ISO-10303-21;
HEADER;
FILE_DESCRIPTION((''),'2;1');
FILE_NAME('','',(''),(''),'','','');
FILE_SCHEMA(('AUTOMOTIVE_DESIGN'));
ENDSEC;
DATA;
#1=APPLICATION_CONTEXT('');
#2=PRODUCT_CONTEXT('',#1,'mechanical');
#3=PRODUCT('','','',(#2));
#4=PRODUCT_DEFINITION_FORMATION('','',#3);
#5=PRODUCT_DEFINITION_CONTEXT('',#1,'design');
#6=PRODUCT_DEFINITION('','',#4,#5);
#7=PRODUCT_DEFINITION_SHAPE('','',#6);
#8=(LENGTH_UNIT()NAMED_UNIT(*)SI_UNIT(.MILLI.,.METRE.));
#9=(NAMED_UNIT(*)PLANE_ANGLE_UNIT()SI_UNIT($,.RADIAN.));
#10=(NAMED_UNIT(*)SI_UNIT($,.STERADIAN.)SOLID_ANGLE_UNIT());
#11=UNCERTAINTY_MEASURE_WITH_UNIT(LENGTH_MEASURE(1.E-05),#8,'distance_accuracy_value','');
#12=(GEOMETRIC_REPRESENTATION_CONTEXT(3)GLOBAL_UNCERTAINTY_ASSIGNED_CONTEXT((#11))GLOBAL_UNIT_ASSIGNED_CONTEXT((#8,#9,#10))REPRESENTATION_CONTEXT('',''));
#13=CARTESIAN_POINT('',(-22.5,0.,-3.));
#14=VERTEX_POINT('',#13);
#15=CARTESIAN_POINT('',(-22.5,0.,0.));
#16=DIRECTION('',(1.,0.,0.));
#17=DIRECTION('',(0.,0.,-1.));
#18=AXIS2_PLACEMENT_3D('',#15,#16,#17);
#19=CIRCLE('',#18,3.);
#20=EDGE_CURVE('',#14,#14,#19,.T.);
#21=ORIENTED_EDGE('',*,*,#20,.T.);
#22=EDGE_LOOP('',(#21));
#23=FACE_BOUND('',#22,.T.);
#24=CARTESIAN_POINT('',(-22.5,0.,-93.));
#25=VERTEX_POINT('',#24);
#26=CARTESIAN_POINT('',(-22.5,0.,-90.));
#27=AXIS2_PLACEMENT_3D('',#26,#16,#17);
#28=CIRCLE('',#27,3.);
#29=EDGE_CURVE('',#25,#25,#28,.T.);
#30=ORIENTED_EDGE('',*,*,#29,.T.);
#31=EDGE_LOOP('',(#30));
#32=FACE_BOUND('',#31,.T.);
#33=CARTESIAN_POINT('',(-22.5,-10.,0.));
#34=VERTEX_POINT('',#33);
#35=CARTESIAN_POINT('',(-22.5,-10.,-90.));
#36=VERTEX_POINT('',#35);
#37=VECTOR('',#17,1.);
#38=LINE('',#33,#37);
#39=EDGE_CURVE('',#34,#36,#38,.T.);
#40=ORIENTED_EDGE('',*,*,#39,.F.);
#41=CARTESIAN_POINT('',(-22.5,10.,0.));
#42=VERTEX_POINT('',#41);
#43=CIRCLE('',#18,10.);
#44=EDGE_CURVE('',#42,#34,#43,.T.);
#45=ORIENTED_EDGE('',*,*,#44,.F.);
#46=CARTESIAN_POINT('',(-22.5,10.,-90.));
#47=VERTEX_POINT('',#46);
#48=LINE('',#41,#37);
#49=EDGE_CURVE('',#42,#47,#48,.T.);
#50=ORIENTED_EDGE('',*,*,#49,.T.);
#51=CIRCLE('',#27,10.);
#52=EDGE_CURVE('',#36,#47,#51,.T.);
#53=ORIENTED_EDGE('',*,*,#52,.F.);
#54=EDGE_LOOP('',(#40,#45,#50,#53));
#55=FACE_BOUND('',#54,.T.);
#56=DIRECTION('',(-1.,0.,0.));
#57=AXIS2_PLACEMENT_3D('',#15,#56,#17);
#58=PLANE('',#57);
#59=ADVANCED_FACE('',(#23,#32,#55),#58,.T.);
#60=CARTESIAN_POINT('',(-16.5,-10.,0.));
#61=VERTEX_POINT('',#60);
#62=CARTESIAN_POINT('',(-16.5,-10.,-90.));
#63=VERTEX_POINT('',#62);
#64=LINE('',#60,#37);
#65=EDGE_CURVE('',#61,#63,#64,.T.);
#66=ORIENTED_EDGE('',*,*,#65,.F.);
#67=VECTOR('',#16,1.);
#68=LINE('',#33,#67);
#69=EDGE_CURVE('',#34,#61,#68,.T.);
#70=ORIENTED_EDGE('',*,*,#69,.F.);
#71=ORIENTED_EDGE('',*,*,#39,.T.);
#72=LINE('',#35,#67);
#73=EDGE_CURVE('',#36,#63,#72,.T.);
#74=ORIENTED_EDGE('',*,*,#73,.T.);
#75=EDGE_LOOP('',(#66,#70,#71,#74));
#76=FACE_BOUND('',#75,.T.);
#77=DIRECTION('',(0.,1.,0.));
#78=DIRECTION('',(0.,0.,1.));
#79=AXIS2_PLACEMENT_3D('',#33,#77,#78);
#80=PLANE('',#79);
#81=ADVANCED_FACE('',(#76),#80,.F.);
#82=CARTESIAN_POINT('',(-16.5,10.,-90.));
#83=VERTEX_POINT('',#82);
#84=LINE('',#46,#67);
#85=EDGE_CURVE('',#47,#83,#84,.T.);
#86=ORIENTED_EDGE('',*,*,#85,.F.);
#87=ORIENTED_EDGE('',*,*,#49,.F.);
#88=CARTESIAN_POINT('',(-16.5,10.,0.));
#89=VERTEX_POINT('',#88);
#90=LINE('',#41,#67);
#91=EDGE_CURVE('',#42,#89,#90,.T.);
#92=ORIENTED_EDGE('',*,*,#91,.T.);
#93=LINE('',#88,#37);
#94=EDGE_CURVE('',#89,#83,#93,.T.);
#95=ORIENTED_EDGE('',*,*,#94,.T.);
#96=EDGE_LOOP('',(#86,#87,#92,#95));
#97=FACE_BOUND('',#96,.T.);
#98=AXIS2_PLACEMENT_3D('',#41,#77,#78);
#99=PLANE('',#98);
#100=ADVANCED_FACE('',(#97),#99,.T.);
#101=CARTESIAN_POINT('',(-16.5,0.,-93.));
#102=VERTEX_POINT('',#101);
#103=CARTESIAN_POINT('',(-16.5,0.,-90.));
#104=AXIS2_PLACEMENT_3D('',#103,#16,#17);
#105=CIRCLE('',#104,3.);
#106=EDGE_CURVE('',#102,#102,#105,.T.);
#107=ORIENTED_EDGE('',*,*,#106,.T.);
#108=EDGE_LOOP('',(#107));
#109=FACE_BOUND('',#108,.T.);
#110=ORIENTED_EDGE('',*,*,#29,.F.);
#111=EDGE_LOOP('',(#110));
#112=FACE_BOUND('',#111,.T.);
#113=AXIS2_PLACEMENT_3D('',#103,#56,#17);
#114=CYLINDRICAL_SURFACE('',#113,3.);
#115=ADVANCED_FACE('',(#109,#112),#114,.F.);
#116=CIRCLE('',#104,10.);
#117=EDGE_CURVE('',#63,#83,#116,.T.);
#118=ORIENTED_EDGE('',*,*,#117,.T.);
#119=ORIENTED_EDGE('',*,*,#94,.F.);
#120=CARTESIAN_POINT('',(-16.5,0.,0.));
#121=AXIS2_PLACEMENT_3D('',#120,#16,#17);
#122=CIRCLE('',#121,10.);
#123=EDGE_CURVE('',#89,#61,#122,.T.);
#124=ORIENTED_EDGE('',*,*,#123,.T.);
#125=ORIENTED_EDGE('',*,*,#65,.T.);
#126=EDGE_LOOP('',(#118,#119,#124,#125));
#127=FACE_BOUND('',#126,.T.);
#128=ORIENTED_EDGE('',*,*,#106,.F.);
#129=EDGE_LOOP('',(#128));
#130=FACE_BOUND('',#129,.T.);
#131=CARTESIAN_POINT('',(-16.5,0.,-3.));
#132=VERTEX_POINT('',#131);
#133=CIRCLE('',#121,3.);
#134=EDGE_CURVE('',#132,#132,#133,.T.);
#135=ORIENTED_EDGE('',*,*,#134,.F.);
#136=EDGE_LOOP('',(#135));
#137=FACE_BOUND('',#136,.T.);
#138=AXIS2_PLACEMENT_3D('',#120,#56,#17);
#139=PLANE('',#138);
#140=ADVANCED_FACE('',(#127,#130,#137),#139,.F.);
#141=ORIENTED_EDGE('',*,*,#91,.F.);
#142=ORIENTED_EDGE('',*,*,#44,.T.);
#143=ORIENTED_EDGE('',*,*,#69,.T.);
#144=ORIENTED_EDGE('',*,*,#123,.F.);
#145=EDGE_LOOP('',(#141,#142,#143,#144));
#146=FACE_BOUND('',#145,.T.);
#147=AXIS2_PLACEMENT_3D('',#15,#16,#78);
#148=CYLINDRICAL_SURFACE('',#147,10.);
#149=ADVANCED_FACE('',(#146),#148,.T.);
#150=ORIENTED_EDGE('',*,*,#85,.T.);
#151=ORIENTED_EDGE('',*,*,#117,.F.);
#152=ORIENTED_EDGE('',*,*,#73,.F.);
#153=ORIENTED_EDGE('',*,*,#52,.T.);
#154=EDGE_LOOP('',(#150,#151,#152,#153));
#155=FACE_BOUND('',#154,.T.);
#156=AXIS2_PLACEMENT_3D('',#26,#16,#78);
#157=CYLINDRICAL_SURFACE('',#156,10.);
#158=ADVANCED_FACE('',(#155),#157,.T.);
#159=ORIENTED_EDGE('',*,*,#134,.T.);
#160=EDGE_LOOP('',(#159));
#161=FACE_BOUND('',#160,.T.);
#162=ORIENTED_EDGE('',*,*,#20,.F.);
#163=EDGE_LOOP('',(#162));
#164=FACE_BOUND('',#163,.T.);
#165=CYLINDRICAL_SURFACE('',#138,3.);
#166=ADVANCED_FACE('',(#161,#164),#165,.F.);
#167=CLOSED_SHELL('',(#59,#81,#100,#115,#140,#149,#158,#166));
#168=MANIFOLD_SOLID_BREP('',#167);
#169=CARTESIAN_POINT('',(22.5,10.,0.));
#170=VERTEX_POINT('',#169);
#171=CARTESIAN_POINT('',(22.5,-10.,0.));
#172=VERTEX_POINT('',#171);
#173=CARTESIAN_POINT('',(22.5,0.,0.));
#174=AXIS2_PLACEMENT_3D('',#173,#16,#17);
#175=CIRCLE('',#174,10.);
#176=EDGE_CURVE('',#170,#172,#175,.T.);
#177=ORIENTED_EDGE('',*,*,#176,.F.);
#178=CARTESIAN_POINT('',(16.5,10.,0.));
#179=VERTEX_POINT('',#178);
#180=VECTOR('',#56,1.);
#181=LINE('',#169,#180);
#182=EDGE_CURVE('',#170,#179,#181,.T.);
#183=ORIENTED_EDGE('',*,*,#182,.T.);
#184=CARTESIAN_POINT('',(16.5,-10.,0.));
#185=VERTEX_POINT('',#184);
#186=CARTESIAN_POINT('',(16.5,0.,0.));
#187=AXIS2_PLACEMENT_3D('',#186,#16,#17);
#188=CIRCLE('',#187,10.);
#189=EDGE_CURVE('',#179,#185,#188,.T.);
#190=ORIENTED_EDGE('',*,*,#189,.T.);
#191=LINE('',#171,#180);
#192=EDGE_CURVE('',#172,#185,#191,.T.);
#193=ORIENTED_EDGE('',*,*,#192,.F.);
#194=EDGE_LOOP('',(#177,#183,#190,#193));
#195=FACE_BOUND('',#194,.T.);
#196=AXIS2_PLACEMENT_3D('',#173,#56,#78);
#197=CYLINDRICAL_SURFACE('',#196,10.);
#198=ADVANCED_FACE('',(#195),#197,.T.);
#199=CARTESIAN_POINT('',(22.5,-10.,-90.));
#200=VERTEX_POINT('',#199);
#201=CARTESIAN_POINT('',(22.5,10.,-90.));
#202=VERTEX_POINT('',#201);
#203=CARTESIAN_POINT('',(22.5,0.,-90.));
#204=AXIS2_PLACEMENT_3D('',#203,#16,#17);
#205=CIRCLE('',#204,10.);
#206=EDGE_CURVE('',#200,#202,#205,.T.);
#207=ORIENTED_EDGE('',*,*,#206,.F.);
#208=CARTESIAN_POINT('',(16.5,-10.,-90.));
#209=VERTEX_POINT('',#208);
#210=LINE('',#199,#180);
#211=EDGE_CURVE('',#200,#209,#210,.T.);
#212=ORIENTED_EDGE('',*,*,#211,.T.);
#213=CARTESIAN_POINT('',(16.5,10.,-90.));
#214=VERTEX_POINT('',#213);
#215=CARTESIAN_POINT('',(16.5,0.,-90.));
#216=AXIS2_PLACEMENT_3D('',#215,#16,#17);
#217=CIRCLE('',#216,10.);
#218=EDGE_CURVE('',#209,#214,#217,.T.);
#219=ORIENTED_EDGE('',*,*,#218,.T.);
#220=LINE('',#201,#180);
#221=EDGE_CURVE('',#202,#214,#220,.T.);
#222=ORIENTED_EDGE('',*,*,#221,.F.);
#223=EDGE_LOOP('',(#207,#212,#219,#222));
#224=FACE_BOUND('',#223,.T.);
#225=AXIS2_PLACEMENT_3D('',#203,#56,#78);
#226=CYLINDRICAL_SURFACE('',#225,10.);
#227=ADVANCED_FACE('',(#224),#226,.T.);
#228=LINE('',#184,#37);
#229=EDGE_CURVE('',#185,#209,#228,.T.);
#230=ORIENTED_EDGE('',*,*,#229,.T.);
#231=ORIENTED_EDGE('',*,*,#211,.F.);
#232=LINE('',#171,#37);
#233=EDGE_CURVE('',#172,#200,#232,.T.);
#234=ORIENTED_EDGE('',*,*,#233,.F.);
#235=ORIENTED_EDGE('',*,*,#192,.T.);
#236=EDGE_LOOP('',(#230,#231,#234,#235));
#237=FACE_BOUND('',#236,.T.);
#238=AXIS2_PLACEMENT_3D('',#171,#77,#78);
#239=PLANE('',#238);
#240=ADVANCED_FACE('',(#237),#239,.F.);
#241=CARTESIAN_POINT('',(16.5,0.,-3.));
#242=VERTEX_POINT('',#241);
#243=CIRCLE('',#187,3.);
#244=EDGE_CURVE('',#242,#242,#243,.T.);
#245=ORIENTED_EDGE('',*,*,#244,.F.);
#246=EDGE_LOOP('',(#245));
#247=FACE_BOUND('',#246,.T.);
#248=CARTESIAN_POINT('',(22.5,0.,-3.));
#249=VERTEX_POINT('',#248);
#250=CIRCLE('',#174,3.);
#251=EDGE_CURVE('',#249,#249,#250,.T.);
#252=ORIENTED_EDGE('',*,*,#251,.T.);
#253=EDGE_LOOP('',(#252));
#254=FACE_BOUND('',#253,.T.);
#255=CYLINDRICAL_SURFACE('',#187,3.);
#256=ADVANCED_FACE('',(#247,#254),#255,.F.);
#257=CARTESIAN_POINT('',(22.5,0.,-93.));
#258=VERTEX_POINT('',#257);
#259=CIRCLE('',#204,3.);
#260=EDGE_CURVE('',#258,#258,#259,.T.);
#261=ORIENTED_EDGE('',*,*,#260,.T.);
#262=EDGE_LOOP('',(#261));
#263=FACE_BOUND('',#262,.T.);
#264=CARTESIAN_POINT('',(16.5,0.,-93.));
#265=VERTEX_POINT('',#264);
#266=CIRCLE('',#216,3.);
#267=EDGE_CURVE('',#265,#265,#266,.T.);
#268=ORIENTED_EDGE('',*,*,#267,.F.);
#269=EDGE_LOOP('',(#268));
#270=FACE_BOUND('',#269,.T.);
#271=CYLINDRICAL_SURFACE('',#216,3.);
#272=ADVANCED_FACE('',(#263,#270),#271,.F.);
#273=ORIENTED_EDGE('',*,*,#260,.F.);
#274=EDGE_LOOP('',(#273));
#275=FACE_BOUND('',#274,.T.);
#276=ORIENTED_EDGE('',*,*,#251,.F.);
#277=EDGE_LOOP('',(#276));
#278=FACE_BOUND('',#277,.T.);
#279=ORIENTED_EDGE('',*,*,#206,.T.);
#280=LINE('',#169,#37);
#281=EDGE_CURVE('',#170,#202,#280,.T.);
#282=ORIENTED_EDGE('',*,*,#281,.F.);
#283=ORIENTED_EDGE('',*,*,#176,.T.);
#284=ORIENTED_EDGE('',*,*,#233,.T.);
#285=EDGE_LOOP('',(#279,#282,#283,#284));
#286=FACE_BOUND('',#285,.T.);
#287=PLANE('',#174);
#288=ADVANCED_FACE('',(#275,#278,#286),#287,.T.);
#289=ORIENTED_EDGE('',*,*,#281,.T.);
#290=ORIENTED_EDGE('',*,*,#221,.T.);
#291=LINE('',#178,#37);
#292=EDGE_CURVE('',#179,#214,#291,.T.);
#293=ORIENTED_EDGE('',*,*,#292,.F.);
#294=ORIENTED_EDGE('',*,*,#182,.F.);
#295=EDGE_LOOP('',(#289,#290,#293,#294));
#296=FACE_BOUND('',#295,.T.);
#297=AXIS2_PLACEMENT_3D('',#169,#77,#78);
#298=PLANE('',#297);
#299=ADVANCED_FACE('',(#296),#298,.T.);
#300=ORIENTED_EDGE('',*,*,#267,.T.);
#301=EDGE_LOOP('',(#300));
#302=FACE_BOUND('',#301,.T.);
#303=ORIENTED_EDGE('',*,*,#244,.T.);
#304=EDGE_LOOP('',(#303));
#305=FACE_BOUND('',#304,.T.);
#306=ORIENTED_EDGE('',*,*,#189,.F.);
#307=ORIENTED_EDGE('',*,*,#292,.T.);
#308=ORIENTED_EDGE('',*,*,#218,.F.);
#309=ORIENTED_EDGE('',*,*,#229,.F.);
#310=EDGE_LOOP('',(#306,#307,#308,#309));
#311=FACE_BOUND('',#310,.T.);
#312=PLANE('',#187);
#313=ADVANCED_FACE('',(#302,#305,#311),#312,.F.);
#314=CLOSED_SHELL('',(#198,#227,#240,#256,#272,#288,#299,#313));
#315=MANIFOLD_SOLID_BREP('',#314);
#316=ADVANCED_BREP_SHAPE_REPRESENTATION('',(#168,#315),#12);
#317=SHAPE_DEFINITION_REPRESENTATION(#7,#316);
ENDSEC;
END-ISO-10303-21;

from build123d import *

# Parameters (mm, degrees)
BOSS_EXTRUDE1_DEPTH     = 6
SKETCH2_R               = 3
CUT_EXTRUDE1_DEPTH      = 1
CUT_EXTRUDE1_DEPTH_BACK = 7


with BuildPart() as part:
    # Sketch1 → Boss-Extrude1 (new body)
    with BuildSketch(Plane(origin=(16.5, 0, 0), x_dir=(0, 0, -1), z_dir=(1, 0, 0))):
        with BuildLine():
            Line((0, 10), (90, 10))
            ThreePointArc((90, 10), (100, 0), (90, -10))
            Line((90, -10), (0, -10))
            ThreePointArc((0, -10), (-10, 0), (0, 10))
        make_face()
    extrude(amount=BOSS_EXTRUDE1_DEPTH)

    # Sketch2 → Cut-Extrude1 (cut, two sides)
    with BuildSketch(Plane(origin=(22.5, 0, 0), x_dir=(0, 0, -1), z_dir=(1, 0, 0))) as cut_extrude1_sk:
        Circle(SKETCH2_R)
        with Locations((90, 0)):
            Circle(SKETCH2_R)
    extrude(amount=CUT_EXTRUDE1_DEPTH, mode=Mode.SUBTRACT)
    extrude(cut_extrude1_sk.sketch, amount=-CUT_EXTRUDE1_DEPTH_BACK, mode=Mode.SUBTRACT)


with BuildPart() as body_2:
    # Mirror4: mirrored copy
    add(part.part.mirror(Plane(origin=(0, 0, 0), x_dir=(0, 0, 1), z_dir=(1, 0, 0))))


solid = Compound([part.part, body_2.part])
